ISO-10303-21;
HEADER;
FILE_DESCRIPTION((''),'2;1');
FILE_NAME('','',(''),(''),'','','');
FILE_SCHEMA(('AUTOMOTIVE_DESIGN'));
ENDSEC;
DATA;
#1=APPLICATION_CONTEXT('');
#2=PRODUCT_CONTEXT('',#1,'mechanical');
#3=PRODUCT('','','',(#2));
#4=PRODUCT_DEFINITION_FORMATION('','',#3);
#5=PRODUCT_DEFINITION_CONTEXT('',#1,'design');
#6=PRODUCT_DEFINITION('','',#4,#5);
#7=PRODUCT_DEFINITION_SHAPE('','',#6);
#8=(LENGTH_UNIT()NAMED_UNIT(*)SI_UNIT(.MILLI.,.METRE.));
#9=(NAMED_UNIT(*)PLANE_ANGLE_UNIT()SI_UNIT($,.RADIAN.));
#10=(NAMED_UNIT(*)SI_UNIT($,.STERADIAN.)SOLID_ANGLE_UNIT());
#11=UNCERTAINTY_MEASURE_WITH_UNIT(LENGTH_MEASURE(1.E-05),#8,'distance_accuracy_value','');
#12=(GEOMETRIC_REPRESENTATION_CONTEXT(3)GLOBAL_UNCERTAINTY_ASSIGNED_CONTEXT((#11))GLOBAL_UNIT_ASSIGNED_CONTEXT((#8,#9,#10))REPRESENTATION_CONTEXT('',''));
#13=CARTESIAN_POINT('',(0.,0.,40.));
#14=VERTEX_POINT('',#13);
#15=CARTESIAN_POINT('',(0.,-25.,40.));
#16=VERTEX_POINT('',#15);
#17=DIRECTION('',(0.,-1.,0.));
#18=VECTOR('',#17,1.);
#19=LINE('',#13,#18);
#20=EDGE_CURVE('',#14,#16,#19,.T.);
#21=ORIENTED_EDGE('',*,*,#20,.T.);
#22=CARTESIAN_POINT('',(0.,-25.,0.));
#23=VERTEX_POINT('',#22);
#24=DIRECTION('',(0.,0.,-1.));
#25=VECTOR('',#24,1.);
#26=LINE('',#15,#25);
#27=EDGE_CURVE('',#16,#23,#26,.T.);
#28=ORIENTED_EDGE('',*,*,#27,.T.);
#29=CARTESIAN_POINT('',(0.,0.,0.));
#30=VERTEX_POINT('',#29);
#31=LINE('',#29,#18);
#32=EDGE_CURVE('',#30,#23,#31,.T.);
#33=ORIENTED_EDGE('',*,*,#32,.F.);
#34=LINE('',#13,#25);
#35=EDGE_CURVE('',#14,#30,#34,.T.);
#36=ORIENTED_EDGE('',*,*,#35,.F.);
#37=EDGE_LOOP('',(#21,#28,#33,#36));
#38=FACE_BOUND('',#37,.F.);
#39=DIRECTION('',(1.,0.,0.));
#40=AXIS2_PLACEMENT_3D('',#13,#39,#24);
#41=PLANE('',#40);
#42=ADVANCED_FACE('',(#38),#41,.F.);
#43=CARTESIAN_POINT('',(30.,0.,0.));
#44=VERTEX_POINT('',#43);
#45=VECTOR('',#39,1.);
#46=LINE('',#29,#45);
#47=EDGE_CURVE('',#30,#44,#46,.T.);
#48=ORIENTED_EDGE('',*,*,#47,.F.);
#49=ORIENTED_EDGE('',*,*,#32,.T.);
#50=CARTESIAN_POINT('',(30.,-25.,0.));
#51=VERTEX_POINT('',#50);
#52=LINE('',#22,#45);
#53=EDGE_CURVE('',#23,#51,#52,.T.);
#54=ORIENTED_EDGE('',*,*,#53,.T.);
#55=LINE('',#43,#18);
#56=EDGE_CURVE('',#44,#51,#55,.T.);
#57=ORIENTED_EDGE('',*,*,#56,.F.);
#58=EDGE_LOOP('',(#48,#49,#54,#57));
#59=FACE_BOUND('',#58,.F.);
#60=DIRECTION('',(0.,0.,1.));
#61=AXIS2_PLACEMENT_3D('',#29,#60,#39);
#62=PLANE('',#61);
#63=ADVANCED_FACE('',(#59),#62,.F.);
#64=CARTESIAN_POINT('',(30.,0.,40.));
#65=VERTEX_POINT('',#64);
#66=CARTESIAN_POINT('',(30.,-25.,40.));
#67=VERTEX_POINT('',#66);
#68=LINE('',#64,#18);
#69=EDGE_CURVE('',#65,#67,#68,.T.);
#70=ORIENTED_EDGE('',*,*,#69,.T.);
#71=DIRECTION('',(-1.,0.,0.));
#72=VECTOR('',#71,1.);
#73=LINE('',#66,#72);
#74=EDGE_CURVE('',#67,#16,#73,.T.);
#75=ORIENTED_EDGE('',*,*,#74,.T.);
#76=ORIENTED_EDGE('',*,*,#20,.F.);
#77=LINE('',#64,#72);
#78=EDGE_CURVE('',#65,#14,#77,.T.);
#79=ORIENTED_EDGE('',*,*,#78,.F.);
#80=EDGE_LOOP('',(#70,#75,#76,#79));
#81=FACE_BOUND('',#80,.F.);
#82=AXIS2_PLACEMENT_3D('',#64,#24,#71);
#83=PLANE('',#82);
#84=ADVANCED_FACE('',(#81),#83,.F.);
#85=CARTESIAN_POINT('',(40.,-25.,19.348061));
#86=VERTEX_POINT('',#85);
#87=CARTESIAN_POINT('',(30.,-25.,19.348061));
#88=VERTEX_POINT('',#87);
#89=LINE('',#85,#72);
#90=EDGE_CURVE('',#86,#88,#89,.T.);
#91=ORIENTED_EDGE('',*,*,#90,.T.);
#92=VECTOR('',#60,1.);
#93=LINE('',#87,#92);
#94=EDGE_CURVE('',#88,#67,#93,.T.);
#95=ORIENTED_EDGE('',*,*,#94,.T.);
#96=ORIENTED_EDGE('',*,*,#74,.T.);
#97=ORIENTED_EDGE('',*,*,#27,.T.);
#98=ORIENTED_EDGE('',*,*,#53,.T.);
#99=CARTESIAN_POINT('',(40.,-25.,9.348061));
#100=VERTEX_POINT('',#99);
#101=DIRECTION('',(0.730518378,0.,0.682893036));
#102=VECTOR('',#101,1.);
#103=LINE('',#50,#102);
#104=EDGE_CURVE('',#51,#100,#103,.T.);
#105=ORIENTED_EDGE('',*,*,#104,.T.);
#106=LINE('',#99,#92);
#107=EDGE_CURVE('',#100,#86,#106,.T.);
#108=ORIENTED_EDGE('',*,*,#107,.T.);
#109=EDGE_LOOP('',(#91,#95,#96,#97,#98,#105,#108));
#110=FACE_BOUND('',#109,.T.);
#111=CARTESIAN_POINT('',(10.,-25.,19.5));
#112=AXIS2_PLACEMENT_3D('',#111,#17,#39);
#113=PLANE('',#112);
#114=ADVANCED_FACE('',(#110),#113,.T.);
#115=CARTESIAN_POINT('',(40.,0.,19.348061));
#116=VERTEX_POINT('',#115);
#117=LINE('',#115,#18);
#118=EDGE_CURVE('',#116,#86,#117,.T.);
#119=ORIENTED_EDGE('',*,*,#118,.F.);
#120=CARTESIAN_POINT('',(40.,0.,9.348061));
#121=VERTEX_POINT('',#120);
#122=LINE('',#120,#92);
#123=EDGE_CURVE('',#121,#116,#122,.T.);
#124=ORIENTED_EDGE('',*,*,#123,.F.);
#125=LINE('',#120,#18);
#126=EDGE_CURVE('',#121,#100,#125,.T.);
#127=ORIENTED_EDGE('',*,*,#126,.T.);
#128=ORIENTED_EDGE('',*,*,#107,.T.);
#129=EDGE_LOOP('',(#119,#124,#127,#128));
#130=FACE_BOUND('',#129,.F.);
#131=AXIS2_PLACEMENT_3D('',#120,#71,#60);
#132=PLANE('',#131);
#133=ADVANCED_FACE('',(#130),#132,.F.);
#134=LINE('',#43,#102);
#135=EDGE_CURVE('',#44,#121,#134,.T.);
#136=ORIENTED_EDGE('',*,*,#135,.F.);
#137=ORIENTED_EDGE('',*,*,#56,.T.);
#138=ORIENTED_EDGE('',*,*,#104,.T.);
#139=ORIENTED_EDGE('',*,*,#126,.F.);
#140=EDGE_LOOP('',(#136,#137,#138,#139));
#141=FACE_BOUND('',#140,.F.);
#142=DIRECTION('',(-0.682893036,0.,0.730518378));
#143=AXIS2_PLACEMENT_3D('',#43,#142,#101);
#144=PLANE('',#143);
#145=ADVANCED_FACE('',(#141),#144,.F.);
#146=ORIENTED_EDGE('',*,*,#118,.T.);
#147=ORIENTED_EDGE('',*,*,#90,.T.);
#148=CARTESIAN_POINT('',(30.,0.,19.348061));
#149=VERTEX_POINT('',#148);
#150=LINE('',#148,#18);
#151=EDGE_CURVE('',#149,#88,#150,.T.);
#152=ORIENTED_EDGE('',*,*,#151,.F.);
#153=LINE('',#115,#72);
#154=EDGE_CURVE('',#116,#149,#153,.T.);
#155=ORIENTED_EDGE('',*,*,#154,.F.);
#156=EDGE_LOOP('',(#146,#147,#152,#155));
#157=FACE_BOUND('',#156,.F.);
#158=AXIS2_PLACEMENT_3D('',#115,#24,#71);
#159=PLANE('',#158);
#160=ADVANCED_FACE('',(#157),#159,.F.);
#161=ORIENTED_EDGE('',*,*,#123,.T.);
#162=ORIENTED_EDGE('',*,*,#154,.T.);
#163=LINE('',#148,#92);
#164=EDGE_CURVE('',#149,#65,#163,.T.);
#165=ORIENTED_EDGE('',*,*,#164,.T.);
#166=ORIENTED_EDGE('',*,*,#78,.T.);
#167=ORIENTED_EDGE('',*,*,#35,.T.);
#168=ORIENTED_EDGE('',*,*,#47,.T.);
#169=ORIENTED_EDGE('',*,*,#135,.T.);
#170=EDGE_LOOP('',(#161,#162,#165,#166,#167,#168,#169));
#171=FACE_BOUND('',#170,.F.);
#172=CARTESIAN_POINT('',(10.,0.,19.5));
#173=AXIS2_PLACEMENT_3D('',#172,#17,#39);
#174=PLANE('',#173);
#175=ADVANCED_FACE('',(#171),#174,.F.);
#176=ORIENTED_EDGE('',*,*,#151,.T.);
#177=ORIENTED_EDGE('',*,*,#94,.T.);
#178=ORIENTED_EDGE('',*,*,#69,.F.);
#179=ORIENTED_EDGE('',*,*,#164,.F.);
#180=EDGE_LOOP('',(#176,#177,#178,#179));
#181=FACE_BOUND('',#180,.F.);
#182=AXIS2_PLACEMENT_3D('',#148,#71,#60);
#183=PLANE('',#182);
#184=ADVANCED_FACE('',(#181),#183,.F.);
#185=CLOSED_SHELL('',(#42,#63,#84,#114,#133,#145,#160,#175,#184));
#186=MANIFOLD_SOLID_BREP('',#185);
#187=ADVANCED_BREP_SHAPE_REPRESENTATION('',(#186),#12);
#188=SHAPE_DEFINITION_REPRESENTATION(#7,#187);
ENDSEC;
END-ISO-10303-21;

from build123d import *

# Parameters (mm, degrees)
F0_W     = 20
F0_H     = 21
F0_H_2   = 9
F1_DEPTH = 25


with BuildPart() as f1:
    # F0 (on Front) → F1 (new body)
    with BuildSketch(Plane.XZ):
        with Locations((10, 19.5)):
            Rectangle(F0_W, F0_H)
        Polygon((20, 9), (20, 0), (30, 0), (40, 9.348061), (40, 19.348061), (30, 19.348061), (30, 40), (0, 40), (0, 30), (20, 30), align=None)
        with Locations((10, 4.5)):
            Rectangle(F0_W, F0_H_2)
    extrude(amount=F1_DEPTH)


solid = f1.part
